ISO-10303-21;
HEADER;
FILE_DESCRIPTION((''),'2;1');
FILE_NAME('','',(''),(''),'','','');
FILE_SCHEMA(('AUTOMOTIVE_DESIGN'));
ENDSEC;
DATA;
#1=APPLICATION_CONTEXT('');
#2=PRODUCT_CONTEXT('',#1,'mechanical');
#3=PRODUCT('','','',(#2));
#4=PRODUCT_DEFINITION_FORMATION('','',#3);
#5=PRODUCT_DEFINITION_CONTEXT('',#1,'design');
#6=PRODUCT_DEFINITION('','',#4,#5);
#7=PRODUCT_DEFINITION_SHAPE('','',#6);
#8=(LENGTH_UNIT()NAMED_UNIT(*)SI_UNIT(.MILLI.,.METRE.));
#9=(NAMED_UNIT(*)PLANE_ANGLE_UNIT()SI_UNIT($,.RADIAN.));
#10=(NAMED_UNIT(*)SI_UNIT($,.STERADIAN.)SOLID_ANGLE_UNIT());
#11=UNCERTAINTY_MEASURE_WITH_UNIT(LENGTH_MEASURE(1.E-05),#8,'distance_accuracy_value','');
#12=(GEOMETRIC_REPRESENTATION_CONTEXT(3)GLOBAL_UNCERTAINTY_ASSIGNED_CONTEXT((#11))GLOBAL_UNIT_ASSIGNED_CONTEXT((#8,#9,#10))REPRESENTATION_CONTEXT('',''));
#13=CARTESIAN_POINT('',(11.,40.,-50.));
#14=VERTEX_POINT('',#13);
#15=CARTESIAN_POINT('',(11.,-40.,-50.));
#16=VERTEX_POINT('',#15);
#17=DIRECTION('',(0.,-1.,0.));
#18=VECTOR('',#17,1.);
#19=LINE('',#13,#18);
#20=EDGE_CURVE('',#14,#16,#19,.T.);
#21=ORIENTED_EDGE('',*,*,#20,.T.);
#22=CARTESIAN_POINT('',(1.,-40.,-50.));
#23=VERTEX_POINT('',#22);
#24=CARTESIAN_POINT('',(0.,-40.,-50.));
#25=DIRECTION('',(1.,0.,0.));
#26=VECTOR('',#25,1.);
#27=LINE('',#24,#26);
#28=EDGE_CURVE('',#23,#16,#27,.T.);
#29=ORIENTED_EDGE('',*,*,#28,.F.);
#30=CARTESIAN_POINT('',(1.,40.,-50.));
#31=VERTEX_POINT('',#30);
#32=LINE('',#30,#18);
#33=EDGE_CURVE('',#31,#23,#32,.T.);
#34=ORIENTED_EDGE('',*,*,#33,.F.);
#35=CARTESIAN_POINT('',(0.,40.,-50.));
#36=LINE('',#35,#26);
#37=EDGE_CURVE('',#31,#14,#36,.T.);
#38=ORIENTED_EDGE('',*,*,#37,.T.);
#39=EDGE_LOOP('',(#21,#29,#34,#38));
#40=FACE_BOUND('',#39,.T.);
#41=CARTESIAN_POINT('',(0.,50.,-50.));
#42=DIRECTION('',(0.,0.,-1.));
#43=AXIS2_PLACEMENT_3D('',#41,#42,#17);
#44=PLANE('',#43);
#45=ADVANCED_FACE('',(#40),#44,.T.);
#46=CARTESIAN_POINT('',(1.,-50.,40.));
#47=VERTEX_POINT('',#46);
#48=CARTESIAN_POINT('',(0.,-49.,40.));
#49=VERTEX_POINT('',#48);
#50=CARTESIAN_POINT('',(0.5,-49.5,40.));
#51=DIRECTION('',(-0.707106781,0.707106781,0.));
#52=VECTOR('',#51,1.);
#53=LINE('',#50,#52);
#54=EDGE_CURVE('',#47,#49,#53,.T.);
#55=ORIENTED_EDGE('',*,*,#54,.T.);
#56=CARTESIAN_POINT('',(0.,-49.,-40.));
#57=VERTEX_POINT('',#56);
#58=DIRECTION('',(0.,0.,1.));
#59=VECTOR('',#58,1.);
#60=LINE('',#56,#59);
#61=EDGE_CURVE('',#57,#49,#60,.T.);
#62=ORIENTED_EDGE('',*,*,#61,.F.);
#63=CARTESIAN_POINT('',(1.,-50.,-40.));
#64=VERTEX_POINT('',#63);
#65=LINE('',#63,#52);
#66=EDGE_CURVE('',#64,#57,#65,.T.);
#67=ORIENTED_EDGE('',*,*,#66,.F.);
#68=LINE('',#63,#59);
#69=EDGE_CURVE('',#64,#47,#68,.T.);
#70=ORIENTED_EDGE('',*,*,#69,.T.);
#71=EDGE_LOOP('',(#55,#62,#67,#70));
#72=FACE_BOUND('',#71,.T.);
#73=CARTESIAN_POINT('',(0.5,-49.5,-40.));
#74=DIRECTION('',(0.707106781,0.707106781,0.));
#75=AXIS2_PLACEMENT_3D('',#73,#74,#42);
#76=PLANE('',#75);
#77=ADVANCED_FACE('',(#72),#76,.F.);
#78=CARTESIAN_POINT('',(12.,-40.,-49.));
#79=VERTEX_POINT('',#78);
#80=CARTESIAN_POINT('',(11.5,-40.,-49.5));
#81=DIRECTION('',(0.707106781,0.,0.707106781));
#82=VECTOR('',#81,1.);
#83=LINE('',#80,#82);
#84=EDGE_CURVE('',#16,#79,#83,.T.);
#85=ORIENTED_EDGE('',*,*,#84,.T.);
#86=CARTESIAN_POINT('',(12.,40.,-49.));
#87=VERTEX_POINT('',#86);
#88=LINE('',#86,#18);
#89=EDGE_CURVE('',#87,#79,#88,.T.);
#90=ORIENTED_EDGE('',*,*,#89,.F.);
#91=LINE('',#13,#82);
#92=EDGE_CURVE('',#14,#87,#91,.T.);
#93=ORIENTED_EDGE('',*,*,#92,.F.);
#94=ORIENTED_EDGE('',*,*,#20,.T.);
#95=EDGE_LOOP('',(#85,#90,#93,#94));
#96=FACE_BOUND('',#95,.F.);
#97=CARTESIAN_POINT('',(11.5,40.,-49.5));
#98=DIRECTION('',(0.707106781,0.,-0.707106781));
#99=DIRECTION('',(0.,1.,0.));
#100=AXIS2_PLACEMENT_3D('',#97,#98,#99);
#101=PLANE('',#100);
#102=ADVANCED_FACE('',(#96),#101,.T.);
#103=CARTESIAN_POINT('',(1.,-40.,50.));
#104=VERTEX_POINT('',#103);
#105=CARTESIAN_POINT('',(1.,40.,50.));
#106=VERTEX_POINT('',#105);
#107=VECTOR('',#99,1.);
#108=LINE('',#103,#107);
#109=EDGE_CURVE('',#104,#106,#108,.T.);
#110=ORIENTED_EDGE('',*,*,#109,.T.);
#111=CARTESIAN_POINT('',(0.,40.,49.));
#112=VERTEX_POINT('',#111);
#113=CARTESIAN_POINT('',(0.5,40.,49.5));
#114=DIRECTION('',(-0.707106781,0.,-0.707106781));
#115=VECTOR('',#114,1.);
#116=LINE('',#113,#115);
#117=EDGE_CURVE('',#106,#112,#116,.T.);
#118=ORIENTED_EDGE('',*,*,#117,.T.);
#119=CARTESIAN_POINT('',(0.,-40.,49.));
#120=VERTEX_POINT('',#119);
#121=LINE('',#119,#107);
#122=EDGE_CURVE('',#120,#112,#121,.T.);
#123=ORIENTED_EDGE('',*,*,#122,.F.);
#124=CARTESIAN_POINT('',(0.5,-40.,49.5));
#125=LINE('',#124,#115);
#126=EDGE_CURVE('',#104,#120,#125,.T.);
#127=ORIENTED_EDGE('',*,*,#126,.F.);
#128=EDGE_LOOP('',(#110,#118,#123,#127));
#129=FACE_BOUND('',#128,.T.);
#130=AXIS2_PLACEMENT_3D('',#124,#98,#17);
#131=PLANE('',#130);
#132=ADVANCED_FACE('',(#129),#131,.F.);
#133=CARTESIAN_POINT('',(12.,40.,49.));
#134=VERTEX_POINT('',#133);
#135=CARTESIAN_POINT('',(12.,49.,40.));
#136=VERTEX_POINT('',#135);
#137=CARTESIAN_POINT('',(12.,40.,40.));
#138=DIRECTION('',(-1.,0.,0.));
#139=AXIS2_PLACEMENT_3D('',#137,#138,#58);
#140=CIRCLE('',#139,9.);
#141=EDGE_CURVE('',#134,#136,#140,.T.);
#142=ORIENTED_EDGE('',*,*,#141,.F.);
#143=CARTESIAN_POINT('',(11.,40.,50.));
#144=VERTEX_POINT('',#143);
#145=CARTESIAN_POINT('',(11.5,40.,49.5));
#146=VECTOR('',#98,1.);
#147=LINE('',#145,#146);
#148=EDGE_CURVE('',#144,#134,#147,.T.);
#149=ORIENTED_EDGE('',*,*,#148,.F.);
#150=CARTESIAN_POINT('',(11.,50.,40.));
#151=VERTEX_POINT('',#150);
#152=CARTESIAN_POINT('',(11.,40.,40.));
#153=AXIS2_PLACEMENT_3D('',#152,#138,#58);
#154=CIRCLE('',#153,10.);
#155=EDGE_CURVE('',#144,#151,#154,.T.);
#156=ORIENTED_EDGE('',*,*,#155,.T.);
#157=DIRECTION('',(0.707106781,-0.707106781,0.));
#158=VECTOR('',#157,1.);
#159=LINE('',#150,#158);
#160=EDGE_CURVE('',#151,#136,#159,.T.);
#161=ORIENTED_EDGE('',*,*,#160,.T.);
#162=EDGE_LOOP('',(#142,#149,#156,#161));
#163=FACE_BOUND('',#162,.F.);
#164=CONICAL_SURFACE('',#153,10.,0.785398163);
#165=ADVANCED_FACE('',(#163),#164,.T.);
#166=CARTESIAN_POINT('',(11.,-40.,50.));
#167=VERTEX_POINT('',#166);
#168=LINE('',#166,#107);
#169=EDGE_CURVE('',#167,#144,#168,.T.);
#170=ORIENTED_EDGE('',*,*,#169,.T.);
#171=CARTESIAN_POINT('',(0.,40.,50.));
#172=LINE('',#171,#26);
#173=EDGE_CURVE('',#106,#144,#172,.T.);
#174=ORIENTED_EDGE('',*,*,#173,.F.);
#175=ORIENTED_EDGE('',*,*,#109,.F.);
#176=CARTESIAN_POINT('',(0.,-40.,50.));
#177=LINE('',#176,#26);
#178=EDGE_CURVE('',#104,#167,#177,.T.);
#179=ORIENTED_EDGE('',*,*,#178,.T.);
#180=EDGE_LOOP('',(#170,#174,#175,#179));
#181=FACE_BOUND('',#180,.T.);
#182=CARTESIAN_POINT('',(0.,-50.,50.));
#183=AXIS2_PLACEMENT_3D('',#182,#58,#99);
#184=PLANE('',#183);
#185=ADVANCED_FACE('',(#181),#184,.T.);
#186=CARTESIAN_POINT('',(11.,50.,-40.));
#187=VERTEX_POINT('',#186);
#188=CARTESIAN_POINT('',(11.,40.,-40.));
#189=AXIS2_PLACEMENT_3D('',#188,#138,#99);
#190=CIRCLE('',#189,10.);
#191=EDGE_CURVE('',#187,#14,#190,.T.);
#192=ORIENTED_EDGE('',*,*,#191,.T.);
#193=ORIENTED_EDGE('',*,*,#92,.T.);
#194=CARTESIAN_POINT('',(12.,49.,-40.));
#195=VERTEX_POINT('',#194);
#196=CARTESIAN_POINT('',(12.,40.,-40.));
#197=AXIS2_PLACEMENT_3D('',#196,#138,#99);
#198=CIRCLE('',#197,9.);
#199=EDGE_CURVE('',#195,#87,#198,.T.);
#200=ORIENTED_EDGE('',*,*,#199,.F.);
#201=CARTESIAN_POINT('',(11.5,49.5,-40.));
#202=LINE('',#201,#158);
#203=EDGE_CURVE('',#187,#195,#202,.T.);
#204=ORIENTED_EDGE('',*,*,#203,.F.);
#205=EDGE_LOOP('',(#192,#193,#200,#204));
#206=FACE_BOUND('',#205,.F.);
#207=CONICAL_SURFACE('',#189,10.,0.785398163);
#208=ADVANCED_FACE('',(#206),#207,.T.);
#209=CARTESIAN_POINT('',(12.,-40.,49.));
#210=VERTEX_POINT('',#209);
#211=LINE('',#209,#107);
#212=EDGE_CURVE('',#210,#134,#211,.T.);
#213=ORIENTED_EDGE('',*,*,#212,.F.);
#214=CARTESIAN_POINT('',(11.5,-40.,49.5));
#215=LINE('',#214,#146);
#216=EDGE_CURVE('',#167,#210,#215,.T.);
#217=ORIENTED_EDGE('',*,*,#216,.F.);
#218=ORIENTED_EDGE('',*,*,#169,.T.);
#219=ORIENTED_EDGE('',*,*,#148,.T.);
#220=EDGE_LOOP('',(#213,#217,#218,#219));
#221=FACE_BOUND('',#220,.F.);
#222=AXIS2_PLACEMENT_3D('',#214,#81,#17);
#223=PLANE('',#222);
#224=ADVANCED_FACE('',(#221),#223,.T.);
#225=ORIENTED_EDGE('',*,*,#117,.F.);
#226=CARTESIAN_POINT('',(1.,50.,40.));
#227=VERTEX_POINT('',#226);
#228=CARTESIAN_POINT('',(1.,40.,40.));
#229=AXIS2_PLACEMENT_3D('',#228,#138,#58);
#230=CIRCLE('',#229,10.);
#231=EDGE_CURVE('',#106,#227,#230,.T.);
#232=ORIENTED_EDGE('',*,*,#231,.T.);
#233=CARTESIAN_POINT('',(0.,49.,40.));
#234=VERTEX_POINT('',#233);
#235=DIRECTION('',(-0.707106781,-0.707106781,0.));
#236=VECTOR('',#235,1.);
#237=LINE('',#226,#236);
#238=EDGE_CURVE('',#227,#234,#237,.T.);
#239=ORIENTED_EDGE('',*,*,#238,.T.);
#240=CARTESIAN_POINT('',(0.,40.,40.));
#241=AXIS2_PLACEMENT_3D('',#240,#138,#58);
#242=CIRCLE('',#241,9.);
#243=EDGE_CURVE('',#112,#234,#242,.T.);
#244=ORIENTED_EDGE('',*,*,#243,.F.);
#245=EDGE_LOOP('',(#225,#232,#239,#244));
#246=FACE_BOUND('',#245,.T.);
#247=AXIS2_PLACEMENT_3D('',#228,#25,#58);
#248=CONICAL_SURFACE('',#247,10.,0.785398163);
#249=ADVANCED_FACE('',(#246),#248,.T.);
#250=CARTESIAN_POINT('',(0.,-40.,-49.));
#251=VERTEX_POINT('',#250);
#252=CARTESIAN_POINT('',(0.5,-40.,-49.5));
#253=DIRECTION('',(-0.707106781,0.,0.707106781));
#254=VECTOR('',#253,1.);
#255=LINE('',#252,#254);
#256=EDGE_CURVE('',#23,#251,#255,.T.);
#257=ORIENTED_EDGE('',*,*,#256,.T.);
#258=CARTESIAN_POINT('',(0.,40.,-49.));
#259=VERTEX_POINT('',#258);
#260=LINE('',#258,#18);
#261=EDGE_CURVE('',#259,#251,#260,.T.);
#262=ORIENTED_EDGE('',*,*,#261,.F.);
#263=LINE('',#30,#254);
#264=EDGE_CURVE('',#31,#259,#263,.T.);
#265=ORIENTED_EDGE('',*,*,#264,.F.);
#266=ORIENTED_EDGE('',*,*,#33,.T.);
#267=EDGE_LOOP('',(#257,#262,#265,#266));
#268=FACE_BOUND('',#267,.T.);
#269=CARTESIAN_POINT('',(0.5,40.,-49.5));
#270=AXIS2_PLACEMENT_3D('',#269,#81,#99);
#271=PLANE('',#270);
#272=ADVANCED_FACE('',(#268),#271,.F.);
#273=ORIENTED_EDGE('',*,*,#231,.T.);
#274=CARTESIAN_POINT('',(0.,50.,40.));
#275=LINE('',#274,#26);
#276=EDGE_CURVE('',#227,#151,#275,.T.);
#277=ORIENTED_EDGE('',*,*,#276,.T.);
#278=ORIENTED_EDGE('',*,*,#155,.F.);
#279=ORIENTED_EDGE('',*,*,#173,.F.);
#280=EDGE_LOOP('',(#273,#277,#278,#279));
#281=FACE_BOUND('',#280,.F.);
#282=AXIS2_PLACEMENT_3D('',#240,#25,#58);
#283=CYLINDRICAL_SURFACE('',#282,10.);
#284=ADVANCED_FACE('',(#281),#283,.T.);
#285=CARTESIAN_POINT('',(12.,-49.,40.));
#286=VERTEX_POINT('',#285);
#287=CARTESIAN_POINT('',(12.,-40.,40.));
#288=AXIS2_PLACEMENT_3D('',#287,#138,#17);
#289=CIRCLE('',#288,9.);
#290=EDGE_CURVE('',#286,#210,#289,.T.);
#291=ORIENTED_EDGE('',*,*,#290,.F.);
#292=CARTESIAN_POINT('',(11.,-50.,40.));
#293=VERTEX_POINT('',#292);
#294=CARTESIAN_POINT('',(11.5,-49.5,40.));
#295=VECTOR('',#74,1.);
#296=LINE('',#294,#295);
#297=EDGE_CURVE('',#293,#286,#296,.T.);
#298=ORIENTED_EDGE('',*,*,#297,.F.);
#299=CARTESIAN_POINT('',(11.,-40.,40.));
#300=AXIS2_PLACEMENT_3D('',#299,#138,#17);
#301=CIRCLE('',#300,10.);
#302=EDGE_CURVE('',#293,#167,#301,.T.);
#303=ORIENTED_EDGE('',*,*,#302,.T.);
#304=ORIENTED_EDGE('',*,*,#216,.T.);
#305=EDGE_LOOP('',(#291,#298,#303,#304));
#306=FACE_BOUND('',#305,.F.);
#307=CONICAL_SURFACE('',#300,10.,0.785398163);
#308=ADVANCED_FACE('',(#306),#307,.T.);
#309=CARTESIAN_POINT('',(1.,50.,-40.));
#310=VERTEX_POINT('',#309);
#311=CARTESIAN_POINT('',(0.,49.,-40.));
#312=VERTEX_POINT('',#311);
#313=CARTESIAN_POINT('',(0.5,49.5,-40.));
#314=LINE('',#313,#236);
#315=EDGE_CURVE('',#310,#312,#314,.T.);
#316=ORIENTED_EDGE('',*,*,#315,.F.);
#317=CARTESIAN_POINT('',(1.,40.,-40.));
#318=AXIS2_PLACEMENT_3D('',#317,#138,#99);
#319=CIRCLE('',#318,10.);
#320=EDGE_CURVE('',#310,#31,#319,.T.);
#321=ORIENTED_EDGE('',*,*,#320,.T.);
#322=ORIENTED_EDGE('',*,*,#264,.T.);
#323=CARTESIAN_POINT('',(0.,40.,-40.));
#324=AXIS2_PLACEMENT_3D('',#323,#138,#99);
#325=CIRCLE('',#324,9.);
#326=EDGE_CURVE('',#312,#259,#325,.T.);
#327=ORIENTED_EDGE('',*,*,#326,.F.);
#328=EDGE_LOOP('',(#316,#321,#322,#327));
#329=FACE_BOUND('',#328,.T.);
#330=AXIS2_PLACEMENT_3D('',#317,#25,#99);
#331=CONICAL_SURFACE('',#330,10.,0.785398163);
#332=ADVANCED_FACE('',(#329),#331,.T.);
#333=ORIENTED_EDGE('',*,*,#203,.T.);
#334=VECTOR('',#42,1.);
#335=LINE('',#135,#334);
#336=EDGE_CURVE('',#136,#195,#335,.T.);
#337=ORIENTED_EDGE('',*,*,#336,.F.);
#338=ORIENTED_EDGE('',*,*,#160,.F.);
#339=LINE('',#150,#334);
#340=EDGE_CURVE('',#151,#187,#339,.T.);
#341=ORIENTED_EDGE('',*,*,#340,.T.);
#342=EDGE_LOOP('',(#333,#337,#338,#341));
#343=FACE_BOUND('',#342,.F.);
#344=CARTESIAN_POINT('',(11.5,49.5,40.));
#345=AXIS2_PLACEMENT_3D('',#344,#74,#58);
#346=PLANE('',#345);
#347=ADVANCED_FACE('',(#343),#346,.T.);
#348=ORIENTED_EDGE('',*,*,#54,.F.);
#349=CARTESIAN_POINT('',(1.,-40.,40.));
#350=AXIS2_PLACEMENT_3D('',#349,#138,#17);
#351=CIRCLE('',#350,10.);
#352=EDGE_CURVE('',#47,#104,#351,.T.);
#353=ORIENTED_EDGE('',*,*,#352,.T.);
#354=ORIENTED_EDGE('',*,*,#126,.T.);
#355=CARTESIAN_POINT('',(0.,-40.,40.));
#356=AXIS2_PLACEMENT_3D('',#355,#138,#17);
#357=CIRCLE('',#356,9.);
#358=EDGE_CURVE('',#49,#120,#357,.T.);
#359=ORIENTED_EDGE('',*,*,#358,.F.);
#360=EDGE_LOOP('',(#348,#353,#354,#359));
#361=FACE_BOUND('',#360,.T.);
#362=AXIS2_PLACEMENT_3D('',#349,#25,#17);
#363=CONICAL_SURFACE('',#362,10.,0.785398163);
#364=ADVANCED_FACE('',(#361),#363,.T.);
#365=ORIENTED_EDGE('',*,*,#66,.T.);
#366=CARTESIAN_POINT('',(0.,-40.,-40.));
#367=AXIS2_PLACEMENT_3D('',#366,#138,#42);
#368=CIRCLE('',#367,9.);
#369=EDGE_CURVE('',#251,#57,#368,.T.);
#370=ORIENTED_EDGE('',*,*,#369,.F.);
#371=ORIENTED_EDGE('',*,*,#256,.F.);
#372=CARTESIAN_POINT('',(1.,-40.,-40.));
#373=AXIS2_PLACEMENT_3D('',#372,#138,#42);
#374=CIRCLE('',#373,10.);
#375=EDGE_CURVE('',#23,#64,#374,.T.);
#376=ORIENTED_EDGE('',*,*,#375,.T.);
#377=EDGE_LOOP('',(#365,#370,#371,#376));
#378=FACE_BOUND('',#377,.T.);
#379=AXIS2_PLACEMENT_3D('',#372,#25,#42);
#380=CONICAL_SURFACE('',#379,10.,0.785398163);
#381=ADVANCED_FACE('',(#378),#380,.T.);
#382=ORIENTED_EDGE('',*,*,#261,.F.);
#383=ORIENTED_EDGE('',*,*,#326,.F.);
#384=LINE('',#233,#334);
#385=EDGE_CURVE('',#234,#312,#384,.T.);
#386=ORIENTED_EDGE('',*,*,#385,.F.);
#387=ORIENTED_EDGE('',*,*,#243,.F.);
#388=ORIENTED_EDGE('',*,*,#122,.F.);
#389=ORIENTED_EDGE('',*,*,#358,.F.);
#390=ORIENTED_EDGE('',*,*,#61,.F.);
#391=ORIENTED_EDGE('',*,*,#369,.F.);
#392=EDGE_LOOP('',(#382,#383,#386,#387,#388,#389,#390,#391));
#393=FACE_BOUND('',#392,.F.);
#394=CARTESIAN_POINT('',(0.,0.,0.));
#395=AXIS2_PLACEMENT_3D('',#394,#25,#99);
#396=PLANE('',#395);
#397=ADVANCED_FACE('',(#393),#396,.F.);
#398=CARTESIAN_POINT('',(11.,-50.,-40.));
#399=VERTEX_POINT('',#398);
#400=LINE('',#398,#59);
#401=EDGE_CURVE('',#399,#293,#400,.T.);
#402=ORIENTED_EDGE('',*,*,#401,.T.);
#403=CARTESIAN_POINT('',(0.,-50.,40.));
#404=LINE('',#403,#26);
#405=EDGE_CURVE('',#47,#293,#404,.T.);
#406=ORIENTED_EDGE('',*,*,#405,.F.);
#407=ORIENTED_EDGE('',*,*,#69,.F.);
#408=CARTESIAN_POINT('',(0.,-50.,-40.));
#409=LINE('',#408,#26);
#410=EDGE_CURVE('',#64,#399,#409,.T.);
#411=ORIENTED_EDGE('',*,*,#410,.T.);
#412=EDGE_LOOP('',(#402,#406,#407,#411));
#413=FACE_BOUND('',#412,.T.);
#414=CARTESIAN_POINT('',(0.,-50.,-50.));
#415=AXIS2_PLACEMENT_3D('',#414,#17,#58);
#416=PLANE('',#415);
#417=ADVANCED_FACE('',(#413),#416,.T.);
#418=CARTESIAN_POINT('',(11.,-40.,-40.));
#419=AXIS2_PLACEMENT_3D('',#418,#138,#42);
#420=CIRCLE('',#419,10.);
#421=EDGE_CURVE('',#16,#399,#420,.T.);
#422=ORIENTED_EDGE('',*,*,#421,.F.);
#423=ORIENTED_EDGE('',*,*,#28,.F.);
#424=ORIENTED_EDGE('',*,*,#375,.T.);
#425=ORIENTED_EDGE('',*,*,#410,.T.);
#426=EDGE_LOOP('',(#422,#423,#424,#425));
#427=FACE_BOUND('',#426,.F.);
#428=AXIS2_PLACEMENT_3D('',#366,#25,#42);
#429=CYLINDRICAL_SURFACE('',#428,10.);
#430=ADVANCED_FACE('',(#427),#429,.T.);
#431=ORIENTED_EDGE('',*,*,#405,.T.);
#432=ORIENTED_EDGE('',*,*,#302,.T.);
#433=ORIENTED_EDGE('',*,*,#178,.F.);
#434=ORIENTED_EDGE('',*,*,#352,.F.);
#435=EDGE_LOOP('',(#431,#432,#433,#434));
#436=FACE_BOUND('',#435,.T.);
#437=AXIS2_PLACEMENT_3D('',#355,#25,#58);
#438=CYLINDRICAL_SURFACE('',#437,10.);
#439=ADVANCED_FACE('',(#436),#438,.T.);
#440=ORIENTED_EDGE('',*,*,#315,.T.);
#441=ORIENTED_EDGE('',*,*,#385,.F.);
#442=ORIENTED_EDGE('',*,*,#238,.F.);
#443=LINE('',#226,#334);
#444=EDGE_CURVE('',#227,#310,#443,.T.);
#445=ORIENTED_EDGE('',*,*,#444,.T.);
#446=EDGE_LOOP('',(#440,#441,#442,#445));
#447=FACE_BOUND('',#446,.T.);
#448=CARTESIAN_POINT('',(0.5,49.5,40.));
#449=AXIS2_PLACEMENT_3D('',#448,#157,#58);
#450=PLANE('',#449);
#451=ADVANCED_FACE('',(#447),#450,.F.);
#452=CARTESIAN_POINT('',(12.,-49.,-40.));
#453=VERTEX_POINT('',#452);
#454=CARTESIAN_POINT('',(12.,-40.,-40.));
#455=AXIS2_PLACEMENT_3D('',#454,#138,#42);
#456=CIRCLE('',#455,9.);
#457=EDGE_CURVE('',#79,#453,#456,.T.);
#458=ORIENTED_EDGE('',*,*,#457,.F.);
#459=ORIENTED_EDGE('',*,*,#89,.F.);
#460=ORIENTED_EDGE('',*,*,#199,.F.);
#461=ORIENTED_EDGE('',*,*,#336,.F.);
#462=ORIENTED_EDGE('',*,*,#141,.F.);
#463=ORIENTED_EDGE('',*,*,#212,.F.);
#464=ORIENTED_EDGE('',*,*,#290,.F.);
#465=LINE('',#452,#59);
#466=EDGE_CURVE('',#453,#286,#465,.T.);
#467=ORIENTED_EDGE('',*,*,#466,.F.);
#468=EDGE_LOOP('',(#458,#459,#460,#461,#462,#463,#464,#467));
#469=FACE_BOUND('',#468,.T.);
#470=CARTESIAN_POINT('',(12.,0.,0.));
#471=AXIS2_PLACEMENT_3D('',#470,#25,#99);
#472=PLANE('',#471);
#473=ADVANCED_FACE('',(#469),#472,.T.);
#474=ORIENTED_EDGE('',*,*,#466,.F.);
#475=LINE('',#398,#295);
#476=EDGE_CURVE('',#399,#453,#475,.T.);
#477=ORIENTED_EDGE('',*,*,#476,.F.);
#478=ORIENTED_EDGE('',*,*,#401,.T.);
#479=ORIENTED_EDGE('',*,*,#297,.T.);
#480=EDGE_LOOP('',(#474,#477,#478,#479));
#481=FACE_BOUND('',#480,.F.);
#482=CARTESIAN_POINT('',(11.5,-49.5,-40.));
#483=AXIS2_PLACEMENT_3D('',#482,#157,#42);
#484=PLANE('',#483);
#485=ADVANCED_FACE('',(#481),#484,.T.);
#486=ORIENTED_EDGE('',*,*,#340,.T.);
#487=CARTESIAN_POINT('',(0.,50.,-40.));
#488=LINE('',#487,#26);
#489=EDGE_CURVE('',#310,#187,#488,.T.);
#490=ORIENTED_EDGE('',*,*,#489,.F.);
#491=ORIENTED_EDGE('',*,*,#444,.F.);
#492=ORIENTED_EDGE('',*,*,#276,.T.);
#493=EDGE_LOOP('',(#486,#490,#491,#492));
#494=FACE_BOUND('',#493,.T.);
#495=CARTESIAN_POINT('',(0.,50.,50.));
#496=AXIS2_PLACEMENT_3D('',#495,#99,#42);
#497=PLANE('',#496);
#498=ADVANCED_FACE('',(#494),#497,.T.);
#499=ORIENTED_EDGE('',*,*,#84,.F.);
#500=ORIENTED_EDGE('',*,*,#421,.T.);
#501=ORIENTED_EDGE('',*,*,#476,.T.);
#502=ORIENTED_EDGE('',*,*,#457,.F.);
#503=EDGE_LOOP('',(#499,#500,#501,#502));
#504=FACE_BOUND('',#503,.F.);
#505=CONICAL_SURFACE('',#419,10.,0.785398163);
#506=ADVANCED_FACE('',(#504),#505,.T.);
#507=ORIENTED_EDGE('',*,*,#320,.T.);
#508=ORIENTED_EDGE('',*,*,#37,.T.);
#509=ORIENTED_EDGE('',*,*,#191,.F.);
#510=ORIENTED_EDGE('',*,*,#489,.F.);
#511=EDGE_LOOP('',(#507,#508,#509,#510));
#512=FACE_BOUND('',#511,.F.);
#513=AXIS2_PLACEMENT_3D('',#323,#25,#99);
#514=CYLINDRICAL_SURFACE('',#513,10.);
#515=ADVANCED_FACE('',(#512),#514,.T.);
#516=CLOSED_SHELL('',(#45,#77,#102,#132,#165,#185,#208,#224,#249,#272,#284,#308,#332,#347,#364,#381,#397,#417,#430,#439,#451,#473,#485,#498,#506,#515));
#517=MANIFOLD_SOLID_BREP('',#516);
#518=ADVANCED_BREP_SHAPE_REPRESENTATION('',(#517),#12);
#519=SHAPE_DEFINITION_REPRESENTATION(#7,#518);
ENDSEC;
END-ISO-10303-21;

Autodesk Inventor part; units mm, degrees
ref_plane "YZ Plane" through (0, 0, 0) normal (1, 0, 0) x (0, 1, 0)
ref_plane "XZ Plane" through (0, 0, 0) normal (0, 1, 0) x (-1, 0, 0)
ref_plane "XY Plane" through (0, 0, 0) normal (0, 0, 1) x (1, 0, 0)
sketch "草圖1" plane through (0, 0, 0) normal (1, 0, 0) x (0, 1, 0)
  line L0 (-50, 50) -> (50, 50)
  line L1 (50, 50) -> (50, -50)
  line L2 (50, -50) -> (-50, -50)
  line L3 (-50, -50) -> (-50, 50)
  line L4 (-50, 50) -> (50, -50) construction
  line L5 (50, 50) -> (-50, -50) construction
  point P0 (0, 0)
  dimension "d0" = 100
  dimension "d1" = 100
extrude "擠出1" add sketch "草圖1" along normal blind 12
fillet "圓角1" radius 10 4 edges at (6, 50, 50) (6, 50, -50) (6, -50, 50) (6, -50, -50)
chamfer "倒角1" distance 1 angle 45 16 edges at (12, 0, 50) (12, -47.0711, 47.0711) (12, -50, 0) (12, -47.0711, -47.0711) (12, 0, -50) (12, 47.0711, -47.0711) (12, 50, 0) (12, 47.0711, 47.0711) (0, 0, 50) (0, 47.0711, 47.0711) (0, 50, 0) (0, 47.0711, -47.0711) (0, 0, -50) (0, -47.0711, -47.0711) (0, -50, 0) (0, -47.0711, 47.0711)
properties part number "exercise3-6"
